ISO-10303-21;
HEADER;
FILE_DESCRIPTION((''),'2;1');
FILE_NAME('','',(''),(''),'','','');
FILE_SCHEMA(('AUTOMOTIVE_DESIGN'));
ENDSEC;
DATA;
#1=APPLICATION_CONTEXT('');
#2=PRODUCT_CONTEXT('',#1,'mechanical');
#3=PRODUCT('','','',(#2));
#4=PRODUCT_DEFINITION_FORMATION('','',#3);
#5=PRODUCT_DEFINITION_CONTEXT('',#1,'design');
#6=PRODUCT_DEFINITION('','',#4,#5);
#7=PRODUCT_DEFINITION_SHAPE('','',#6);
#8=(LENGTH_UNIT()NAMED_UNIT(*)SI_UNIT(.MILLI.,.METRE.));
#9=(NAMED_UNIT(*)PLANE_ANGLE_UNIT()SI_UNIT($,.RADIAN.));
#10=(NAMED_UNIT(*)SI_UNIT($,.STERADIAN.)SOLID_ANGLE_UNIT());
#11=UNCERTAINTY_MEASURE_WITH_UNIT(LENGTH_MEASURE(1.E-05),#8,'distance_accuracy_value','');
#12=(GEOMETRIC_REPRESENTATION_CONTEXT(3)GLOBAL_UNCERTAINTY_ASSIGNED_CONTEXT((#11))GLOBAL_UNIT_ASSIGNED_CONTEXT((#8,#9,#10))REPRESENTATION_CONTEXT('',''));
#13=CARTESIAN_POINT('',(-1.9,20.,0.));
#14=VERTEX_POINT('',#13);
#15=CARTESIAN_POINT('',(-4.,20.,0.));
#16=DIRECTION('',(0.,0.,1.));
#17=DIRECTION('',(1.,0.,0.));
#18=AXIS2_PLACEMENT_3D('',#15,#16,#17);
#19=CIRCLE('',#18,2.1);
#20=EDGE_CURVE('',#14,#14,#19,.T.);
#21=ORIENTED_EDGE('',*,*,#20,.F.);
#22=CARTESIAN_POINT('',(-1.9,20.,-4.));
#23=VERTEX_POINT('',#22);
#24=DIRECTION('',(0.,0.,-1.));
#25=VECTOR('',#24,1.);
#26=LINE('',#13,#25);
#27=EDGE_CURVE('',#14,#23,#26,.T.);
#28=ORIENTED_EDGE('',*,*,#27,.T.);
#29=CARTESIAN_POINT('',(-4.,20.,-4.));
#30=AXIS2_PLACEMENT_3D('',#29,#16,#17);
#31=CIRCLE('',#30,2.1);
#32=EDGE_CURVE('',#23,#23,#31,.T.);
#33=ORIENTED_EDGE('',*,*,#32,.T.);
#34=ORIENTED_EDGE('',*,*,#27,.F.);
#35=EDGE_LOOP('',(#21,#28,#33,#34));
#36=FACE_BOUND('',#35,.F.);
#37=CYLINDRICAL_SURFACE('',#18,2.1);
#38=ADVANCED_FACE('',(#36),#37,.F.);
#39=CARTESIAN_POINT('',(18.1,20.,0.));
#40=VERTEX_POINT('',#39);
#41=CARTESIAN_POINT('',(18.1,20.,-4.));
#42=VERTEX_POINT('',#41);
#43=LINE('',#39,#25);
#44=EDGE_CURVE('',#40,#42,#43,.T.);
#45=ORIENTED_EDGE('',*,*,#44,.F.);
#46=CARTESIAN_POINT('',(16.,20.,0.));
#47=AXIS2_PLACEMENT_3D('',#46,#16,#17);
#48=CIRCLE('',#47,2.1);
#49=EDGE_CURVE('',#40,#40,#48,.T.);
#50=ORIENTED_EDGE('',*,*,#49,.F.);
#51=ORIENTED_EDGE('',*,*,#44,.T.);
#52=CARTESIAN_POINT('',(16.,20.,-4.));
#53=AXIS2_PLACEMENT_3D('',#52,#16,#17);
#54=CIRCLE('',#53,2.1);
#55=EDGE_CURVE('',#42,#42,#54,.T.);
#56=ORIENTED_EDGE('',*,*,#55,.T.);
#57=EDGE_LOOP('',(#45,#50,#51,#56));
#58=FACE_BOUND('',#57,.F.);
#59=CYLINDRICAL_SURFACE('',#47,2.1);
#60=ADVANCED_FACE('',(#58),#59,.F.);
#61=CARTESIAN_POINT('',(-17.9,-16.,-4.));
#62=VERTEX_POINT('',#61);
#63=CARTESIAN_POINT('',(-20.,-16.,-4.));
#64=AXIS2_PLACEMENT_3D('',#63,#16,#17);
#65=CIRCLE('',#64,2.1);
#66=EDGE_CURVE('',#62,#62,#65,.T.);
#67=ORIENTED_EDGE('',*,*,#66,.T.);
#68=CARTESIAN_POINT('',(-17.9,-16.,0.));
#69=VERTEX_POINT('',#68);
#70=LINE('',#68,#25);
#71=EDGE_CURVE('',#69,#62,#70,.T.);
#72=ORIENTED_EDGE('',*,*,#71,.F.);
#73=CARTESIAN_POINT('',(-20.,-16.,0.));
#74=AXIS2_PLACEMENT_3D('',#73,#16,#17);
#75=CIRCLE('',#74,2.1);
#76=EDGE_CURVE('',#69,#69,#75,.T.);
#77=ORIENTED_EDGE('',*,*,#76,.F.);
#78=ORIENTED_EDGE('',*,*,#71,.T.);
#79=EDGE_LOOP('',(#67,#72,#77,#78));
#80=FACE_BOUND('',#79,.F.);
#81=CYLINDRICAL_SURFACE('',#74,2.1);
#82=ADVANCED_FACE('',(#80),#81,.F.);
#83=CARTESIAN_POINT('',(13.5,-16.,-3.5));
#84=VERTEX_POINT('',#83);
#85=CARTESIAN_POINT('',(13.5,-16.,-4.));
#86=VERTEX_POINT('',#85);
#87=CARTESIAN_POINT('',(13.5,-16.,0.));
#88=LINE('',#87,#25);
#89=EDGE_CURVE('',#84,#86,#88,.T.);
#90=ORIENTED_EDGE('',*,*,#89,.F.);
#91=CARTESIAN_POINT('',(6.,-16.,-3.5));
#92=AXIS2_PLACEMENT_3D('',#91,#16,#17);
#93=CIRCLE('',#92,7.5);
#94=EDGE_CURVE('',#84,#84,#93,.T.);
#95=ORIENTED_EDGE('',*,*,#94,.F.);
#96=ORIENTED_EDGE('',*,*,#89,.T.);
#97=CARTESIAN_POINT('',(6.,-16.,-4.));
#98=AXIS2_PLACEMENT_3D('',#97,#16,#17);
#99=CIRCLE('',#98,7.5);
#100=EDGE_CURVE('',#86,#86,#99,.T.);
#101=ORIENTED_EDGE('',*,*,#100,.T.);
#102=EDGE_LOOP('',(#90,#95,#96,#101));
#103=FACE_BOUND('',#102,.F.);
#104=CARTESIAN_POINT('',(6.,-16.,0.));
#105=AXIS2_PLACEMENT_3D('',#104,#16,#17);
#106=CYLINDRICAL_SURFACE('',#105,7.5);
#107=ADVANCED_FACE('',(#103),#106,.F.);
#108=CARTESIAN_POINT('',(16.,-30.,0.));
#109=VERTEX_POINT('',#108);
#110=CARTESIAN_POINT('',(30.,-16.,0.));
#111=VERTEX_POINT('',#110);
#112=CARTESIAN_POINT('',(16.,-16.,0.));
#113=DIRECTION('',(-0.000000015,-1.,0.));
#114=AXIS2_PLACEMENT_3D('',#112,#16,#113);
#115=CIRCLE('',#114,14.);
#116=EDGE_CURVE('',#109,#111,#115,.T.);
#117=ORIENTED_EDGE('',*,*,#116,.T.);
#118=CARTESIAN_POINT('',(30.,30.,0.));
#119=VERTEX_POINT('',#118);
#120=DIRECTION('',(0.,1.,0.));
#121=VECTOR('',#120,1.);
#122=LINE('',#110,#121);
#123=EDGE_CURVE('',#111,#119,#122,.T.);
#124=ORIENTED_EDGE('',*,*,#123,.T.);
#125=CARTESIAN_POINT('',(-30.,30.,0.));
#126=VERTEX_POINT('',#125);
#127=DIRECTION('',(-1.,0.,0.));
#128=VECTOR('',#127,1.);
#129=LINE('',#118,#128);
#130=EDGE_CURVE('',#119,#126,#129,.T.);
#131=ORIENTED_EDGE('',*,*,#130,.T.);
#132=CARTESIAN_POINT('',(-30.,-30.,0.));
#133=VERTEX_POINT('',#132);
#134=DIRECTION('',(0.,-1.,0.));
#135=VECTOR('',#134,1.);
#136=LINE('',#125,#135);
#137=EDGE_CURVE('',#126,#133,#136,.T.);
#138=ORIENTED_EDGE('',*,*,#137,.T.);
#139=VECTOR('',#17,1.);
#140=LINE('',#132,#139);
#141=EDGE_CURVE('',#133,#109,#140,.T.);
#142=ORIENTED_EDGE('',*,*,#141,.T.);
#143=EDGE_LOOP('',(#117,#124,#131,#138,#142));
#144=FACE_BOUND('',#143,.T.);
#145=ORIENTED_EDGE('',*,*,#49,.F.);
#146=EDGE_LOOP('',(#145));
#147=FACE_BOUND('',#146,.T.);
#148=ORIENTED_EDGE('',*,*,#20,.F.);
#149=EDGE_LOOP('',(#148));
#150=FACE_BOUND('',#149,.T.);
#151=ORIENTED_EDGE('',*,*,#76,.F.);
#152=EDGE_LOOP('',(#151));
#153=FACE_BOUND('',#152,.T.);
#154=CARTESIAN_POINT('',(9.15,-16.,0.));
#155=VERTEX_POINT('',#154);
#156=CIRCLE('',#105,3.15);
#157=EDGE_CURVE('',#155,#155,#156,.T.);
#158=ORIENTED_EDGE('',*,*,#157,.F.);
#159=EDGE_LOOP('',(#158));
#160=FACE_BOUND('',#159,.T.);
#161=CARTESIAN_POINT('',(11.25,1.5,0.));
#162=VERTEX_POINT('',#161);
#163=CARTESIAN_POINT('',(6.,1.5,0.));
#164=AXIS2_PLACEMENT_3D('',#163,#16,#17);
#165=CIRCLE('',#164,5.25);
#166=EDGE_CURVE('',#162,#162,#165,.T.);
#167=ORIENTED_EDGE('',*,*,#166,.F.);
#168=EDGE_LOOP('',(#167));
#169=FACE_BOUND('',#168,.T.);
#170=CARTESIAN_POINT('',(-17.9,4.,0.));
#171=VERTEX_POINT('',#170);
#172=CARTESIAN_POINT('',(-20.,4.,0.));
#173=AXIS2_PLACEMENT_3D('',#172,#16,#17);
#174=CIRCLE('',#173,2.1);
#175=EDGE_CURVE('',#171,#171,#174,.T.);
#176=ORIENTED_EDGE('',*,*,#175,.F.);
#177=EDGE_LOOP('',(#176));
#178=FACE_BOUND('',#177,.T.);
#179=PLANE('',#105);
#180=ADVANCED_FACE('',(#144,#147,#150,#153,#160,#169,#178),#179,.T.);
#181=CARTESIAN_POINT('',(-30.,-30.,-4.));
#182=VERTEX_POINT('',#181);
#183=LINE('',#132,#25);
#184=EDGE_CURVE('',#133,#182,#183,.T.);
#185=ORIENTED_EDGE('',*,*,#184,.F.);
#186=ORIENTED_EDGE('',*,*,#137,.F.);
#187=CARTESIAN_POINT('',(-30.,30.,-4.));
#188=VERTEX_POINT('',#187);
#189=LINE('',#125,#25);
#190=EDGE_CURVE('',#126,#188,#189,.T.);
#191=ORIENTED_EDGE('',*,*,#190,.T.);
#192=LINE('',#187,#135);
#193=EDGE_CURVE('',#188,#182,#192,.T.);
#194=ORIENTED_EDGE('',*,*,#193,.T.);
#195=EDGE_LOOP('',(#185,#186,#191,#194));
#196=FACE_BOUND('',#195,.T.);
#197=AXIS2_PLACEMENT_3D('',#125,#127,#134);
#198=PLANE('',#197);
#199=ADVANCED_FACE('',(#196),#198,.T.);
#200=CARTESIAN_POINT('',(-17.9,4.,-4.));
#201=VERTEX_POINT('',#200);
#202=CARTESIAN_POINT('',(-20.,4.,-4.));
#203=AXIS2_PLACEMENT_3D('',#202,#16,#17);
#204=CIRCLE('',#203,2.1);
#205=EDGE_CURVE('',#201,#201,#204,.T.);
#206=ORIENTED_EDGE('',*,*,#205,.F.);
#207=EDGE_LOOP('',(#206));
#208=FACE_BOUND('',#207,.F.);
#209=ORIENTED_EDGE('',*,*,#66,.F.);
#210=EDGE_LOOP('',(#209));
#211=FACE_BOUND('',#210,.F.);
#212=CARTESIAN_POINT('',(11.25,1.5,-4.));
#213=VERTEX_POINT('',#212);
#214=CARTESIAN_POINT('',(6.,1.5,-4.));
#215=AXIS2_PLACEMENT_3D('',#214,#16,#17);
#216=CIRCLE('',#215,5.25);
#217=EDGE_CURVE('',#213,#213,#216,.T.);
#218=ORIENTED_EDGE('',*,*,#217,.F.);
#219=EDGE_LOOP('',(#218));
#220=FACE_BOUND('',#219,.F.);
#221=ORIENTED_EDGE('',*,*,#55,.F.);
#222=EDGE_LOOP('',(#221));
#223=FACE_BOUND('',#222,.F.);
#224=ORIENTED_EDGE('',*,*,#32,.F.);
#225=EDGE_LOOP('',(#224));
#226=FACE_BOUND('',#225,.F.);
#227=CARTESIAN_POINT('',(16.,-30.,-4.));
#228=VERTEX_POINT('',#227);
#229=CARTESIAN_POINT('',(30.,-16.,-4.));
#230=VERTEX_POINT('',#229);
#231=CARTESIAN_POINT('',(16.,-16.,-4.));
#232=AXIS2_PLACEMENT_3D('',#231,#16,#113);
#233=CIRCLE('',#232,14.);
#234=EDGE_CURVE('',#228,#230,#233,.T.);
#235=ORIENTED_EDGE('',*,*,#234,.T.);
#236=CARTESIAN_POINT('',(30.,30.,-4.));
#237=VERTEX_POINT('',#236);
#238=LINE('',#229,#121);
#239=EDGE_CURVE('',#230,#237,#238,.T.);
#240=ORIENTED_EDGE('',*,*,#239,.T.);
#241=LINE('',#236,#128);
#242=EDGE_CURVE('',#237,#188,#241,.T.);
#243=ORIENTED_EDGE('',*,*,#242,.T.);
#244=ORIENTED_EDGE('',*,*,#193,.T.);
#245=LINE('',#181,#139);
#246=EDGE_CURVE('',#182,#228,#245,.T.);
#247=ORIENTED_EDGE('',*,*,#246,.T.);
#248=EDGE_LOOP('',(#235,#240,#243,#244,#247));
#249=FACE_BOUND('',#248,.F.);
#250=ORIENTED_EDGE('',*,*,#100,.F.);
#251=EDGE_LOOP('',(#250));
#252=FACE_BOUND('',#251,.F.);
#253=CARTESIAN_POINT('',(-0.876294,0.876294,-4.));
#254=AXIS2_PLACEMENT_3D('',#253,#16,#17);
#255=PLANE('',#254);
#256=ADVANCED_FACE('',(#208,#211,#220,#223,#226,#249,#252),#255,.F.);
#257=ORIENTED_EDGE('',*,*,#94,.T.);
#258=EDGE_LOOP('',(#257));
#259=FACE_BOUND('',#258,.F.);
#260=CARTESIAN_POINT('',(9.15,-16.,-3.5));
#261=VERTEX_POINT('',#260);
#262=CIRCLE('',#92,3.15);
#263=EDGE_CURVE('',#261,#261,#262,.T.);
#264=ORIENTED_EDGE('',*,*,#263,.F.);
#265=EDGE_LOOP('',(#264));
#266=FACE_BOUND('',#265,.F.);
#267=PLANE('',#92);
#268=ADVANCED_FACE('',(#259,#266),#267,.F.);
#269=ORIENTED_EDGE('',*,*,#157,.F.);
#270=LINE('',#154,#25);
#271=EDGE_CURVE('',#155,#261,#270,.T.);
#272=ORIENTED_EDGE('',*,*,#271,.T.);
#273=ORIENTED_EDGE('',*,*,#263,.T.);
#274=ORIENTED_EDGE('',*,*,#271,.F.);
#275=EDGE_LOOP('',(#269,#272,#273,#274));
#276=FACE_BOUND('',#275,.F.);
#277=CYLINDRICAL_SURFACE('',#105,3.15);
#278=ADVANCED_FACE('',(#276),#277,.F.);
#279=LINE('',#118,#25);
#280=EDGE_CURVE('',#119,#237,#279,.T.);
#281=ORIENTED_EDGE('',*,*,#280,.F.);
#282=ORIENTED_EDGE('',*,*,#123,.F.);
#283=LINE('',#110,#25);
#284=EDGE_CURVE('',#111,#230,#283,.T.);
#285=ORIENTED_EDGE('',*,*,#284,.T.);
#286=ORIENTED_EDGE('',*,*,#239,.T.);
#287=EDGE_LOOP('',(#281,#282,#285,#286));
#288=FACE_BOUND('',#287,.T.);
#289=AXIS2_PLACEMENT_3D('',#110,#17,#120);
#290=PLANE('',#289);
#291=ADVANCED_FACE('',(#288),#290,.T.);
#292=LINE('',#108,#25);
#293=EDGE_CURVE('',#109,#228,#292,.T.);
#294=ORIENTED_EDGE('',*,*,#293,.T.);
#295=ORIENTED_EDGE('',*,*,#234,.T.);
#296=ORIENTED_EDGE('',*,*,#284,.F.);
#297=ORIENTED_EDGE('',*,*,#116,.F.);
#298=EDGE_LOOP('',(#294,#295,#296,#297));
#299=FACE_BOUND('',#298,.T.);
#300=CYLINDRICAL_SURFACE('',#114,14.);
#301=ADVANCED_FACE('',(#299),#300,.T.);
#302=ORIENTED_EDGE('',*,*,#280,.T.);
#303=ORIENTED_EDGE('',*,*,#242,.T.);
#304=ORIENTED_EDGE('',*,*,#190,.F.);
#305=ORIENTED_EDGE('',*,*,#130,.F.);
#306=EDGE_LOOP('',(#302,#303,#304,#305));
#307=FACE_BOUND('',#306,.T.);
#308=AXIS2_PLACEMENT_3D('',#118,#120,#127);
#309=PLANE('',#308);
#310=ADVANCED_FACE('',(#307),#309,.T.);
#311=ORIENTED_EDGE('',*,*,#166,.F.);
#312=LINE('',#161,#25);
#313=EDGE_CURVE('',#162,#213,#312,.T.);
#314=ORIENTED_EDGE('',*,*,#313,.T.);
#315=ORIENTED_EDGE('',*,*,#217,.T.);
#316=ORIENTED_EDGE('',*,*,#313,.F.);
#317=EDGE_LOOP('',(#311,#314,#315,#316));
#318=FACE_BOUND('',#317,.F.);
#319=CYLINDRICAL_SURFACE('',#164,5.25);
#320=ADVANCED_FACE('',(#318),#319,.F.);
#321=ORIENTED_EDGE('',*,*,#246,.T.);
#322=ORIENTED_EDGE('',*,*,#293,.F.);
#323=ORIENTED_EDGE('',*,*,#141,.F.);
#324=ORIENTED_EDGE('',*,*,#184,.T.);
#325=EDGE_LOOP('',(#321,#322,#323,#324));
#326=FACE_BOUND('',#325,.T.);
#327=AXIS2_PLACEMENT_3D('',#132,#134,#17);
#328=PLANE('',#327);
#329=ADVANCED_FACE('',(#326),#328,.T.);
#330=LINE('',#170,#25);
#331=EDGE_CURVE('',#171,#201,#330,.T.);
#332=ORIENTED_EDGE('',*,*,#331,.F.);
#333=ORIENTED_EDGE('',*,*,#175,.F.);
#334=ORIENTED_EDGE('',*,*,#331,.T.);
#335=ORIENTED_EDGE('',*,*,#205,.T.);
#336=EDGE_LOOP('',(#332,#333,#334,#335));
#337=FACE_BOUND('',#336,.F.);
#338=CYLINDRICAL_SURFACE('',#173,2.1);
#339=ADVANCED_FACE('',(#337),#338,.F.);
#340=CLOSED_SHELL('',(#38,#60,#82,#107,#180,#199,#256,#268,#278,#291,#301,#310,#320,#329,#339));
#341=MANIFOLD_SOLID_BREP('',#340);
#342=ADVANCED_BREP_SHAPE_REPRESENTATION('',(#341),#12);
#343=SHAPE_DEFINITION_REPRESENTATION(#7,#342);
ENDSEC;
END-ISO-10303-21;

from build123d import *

# Parameters (mm, degrees)
F0_R     = 2.1
F0_R_2   = 7.5
F0_R_3   = 5.25
F1_DEPTH = 4
F0_R_4   = 3.15
F2_DEPTH = 3.5


with BuildPart() as f1:
    # F0 (on Top) → F1 (new body)
    with BuildSketch(Plane.XY):
        with BuildLine():
            Line((30, -16), (30, 30))
            Line((30, 30), (-30, 30))
            Line((-30, 30), (-30, -30))
            Line((-30, -30), (16, -30))
            ThreePointArc((16, -30), (25.899495, -25.899495), (30, -16))
        make_face()
        with Locations((-20, -16)):
            Circle(F0_R, mode=Mode.SUBTRACT)
        with Locations((6, -16)):
            Circle(F0_R_2, mode=Mode.SUBTRACT)
        with Locations((-20, 4)):
            Circle(F0_R, mode=Mode.SUBTRACT)
        with Locations((-4, 20)):
            Circle(F0_R, mode=Mode.SUBTRACT)
        with Locations((6, 1.5)):
            Circle(F0_R_3, mode=Mode.SUBTRACT)
        with Locations((16, 20)):
            Circle(F0_R, mode=Mode.SUBTRACT)
    extrude(amount=-F1_DEPTH)

    # F0 (on Top) → F2 (join)
    with BuildSketch(Plane.XY):
        with Locations((6, -16)):
            Circle(F0_R_2)
        with Locations((6, -16)):
            Circle(F0_R_4, mode=Mode.SUBTRACT)
    extrude(amount=-F2_DEPTH)


solid = f1.part
